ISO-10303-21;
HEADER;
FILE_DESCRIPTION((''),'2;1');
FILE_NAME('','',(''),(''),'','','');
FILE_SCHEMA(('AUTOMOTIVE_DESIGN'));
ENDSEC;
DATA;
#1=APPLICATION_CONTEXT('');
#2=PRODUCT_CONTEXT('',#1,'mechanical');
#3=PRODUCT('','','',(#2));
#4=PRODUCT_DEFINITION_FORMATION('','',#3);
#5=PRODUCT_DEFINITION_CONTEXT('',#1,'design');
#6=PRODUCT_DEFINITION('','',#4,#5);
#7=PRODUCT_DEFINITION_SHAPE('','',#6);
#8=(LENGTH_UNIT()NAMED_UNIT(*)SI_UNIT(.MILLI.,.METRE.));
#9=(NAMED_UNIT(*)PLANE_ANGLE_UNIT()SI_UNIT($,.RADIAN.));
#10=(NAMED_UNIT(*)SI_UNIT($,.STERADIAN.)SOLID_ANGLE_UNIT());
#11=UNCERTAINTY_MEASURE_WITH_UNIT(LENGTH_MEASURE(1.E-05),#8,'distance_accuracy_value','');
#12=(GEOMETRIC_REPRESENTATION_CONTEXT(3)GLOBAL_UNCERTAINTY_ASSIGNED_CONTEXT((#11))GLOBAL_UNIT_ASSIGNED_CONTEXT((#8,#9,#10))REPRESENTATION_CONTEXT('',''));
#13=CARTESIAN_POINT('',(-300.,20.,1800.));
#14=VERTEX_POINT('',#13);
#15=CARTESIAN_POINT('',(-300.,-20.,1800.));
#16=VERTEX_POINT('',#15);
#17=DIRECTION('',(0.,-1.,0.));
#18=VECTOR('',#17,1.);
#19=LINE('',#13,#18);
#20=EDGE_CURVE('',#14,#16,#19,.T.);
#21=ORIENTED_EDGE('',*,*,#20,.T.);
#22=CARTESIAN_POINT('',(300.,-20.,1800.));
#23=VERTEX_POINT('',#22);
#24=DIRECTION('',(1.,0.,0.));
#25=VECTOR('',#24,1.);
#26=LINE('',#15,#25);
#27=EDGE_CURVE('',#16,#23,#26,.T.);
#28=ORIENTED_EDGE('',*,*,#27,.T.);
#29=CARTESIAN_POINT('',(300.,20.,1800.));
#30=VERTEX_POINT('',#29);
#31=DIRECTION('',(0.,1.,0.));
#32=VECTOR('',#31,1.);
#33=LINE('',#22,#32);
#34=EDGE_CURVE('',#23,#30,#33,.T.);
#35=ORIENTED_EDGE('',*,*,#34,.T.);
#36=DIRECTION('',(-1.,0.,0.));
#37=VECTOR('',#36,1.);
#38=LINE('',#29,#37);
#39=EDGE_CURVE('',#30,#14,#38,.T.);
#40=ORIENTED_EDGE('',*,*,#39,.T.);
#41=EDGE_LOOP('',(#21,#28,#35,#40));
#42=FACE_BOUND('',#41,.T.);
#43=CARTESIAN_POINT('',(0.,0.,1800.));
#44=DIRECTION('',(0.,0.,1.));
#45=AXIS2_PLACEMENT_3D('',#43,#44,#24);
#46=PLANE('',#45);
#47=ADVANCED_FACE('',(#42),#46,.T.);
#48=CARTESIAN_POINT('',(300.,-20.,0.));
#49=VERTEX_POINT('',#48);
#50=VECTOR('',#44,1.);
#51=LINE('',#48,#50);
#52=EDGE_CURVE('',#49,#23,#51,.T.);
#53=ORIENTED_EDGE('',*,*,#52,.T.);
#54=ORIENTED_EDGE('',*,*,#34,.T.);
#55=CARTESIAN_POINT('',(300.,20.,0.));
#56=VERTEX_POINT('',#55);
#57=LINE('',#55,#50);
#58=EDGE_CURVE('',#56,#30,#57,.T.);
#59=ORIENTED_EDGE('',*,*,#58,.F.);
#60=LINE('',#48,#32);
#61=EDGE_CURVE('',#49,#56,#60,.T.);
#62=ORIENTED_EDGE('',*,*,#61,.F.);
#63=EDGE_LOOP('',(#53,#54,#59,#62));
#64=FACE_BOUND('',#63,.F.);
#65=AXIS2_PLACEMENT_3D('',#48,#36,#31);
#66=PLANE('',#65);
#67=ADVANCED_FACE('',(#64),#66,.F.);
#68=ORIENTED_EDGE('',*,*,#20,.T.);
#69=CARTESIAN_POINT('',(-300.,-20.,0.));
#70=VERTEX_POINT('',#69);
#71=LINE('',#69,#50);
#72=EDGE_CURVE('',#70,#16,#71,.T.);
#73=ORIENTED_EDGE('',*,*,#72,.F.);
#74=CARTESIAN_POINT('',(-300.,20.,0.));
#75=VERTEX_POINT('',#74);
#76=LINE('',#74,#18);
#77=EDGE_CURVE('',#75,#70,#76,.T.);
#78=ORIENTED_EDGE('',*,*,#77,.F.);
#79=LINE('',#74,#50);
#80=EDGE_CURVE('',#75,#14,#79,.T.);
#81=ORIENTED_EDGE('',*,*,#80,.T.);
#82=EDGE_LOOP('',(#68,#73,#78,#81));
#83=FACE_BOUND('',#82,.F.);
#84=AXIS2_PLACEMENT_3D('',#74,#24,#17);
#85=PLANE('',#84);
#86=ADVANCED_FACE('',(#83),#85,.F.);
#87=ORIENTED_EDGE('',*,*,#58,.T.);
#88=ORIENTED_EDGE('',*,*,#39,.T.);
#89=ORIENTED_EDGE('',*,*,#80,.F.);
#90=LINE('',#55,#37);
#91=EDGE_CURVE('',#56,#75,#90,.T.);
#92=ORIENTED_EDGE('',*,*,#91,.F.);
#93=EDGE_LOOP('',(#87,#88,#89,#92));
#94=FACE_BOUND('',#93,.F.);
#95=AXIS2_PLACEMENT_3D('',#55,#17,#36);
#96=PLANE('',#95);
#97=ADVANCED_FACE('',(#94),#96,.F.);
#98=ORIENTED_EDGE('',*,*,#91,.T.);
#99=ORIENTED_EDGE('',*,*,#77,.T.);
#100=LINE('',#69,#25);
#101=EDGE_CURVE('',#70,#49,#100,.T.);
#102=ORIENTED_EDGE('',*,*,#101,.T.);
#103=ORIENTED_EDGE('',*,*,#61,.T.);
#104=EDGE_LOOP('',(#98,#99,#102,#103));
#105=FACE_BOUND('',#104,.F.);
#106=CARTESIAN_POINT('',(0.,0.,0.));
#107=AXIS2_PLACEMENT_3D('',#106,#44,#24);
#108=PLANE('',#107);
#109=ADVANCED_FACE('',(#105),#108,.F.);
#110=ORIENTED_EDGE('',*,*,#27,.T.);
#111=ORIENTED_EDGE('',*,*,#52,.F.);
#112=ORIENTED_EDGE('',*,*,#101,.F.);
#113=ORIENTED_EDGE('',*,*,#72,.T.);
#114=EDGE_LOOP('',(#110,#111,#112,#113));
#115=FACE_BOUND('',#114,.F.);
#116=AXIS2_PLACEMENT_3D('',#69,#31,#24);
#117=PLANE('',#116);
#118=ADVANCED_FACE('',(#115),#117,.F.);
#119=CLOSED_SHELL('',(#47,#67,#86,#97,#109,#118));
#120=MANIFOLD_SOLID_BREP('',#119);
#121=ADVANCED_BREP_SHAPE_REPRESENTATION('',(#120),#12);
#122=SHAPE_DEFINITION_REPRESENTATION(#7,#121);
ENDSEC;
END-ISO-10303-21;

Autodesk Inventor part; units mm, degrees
ref_plane "YZ Plane" through (0, 0, 0) normal (1, 0, 0) x (0, 1, 0)
ref_plane "XZ Plane" through (0, 0, 0) normal (0, 1, 0) x (-1, 0, 0)
ref_plane "XY Plane" through (0, 0, 0) normal (0, 0, 1) x (1, 0, 0)
sketch "Sketch1" plane through (0, 0, 0) normal (0, 0, 1) x (1, 0, 0)
  line L0 (-300, -20) -> (300, -20)
  line L1 (300, -20) -> (300, 20)
  line L2 (300, 20) -> (-300, 20)
  line L3 (-300, 20) -> (-300, -20)
  point P0 (0, 0)
  point P1 (-300, 0)
  point P2 (0, 20)
  dimension "d0" = 40
  dimension "d1" = 600
extrude "Extrusion1" add sketch "Sketch1" along normal blind 1800
sketch "Board_SK" plane through (-300, -20, 0) normal (0, -1, 0) x (1, 0, 0)
  line L0 (600, 1800) -> (0, 1800) projected
  line L1 (0, 0) -> (0, 1800) projected
  line L2 (0, 0) -> (600, 0) projected
  line L3 (600, 0) -> (600, 1800) projected
  line L4 (-75, 1875) -> (675, 1875)
  line L5 (675, 1875) -> (675, 875)
  line L6 (675, 875) -> (-75, 875)
  line L7 (-75, 875) -> (-75, 1875)
  point P0 (300, 0)
  point P1 (300, 1800)
  point P2 (300, 1875)
  dimension "d4" = 75
  dimension "d5" = 75
  dimension "d6" = 1000
sketch "Base_SK" plane through (-300, -20, 0) normal (0, -1, 0) x (1, 0, 0)
  line L0 (600, 1800) -> (0, 1800) projected
  line L1 (0, 0) -> (0, 1800) projected
  line L2 (0, 0) -> (600, 0) projected
  line L3 (600, 0) -> (600, 1800) projected
  line L4 (600, 950) -> (0, 950)
  point P0 (300, 0)
  dimension "d7" = 850
equation "\"d5\" = d4"
equation "\"d7\" = d6 - 2 * d4"
properties part number "Instrumentation_Frame_SK"
